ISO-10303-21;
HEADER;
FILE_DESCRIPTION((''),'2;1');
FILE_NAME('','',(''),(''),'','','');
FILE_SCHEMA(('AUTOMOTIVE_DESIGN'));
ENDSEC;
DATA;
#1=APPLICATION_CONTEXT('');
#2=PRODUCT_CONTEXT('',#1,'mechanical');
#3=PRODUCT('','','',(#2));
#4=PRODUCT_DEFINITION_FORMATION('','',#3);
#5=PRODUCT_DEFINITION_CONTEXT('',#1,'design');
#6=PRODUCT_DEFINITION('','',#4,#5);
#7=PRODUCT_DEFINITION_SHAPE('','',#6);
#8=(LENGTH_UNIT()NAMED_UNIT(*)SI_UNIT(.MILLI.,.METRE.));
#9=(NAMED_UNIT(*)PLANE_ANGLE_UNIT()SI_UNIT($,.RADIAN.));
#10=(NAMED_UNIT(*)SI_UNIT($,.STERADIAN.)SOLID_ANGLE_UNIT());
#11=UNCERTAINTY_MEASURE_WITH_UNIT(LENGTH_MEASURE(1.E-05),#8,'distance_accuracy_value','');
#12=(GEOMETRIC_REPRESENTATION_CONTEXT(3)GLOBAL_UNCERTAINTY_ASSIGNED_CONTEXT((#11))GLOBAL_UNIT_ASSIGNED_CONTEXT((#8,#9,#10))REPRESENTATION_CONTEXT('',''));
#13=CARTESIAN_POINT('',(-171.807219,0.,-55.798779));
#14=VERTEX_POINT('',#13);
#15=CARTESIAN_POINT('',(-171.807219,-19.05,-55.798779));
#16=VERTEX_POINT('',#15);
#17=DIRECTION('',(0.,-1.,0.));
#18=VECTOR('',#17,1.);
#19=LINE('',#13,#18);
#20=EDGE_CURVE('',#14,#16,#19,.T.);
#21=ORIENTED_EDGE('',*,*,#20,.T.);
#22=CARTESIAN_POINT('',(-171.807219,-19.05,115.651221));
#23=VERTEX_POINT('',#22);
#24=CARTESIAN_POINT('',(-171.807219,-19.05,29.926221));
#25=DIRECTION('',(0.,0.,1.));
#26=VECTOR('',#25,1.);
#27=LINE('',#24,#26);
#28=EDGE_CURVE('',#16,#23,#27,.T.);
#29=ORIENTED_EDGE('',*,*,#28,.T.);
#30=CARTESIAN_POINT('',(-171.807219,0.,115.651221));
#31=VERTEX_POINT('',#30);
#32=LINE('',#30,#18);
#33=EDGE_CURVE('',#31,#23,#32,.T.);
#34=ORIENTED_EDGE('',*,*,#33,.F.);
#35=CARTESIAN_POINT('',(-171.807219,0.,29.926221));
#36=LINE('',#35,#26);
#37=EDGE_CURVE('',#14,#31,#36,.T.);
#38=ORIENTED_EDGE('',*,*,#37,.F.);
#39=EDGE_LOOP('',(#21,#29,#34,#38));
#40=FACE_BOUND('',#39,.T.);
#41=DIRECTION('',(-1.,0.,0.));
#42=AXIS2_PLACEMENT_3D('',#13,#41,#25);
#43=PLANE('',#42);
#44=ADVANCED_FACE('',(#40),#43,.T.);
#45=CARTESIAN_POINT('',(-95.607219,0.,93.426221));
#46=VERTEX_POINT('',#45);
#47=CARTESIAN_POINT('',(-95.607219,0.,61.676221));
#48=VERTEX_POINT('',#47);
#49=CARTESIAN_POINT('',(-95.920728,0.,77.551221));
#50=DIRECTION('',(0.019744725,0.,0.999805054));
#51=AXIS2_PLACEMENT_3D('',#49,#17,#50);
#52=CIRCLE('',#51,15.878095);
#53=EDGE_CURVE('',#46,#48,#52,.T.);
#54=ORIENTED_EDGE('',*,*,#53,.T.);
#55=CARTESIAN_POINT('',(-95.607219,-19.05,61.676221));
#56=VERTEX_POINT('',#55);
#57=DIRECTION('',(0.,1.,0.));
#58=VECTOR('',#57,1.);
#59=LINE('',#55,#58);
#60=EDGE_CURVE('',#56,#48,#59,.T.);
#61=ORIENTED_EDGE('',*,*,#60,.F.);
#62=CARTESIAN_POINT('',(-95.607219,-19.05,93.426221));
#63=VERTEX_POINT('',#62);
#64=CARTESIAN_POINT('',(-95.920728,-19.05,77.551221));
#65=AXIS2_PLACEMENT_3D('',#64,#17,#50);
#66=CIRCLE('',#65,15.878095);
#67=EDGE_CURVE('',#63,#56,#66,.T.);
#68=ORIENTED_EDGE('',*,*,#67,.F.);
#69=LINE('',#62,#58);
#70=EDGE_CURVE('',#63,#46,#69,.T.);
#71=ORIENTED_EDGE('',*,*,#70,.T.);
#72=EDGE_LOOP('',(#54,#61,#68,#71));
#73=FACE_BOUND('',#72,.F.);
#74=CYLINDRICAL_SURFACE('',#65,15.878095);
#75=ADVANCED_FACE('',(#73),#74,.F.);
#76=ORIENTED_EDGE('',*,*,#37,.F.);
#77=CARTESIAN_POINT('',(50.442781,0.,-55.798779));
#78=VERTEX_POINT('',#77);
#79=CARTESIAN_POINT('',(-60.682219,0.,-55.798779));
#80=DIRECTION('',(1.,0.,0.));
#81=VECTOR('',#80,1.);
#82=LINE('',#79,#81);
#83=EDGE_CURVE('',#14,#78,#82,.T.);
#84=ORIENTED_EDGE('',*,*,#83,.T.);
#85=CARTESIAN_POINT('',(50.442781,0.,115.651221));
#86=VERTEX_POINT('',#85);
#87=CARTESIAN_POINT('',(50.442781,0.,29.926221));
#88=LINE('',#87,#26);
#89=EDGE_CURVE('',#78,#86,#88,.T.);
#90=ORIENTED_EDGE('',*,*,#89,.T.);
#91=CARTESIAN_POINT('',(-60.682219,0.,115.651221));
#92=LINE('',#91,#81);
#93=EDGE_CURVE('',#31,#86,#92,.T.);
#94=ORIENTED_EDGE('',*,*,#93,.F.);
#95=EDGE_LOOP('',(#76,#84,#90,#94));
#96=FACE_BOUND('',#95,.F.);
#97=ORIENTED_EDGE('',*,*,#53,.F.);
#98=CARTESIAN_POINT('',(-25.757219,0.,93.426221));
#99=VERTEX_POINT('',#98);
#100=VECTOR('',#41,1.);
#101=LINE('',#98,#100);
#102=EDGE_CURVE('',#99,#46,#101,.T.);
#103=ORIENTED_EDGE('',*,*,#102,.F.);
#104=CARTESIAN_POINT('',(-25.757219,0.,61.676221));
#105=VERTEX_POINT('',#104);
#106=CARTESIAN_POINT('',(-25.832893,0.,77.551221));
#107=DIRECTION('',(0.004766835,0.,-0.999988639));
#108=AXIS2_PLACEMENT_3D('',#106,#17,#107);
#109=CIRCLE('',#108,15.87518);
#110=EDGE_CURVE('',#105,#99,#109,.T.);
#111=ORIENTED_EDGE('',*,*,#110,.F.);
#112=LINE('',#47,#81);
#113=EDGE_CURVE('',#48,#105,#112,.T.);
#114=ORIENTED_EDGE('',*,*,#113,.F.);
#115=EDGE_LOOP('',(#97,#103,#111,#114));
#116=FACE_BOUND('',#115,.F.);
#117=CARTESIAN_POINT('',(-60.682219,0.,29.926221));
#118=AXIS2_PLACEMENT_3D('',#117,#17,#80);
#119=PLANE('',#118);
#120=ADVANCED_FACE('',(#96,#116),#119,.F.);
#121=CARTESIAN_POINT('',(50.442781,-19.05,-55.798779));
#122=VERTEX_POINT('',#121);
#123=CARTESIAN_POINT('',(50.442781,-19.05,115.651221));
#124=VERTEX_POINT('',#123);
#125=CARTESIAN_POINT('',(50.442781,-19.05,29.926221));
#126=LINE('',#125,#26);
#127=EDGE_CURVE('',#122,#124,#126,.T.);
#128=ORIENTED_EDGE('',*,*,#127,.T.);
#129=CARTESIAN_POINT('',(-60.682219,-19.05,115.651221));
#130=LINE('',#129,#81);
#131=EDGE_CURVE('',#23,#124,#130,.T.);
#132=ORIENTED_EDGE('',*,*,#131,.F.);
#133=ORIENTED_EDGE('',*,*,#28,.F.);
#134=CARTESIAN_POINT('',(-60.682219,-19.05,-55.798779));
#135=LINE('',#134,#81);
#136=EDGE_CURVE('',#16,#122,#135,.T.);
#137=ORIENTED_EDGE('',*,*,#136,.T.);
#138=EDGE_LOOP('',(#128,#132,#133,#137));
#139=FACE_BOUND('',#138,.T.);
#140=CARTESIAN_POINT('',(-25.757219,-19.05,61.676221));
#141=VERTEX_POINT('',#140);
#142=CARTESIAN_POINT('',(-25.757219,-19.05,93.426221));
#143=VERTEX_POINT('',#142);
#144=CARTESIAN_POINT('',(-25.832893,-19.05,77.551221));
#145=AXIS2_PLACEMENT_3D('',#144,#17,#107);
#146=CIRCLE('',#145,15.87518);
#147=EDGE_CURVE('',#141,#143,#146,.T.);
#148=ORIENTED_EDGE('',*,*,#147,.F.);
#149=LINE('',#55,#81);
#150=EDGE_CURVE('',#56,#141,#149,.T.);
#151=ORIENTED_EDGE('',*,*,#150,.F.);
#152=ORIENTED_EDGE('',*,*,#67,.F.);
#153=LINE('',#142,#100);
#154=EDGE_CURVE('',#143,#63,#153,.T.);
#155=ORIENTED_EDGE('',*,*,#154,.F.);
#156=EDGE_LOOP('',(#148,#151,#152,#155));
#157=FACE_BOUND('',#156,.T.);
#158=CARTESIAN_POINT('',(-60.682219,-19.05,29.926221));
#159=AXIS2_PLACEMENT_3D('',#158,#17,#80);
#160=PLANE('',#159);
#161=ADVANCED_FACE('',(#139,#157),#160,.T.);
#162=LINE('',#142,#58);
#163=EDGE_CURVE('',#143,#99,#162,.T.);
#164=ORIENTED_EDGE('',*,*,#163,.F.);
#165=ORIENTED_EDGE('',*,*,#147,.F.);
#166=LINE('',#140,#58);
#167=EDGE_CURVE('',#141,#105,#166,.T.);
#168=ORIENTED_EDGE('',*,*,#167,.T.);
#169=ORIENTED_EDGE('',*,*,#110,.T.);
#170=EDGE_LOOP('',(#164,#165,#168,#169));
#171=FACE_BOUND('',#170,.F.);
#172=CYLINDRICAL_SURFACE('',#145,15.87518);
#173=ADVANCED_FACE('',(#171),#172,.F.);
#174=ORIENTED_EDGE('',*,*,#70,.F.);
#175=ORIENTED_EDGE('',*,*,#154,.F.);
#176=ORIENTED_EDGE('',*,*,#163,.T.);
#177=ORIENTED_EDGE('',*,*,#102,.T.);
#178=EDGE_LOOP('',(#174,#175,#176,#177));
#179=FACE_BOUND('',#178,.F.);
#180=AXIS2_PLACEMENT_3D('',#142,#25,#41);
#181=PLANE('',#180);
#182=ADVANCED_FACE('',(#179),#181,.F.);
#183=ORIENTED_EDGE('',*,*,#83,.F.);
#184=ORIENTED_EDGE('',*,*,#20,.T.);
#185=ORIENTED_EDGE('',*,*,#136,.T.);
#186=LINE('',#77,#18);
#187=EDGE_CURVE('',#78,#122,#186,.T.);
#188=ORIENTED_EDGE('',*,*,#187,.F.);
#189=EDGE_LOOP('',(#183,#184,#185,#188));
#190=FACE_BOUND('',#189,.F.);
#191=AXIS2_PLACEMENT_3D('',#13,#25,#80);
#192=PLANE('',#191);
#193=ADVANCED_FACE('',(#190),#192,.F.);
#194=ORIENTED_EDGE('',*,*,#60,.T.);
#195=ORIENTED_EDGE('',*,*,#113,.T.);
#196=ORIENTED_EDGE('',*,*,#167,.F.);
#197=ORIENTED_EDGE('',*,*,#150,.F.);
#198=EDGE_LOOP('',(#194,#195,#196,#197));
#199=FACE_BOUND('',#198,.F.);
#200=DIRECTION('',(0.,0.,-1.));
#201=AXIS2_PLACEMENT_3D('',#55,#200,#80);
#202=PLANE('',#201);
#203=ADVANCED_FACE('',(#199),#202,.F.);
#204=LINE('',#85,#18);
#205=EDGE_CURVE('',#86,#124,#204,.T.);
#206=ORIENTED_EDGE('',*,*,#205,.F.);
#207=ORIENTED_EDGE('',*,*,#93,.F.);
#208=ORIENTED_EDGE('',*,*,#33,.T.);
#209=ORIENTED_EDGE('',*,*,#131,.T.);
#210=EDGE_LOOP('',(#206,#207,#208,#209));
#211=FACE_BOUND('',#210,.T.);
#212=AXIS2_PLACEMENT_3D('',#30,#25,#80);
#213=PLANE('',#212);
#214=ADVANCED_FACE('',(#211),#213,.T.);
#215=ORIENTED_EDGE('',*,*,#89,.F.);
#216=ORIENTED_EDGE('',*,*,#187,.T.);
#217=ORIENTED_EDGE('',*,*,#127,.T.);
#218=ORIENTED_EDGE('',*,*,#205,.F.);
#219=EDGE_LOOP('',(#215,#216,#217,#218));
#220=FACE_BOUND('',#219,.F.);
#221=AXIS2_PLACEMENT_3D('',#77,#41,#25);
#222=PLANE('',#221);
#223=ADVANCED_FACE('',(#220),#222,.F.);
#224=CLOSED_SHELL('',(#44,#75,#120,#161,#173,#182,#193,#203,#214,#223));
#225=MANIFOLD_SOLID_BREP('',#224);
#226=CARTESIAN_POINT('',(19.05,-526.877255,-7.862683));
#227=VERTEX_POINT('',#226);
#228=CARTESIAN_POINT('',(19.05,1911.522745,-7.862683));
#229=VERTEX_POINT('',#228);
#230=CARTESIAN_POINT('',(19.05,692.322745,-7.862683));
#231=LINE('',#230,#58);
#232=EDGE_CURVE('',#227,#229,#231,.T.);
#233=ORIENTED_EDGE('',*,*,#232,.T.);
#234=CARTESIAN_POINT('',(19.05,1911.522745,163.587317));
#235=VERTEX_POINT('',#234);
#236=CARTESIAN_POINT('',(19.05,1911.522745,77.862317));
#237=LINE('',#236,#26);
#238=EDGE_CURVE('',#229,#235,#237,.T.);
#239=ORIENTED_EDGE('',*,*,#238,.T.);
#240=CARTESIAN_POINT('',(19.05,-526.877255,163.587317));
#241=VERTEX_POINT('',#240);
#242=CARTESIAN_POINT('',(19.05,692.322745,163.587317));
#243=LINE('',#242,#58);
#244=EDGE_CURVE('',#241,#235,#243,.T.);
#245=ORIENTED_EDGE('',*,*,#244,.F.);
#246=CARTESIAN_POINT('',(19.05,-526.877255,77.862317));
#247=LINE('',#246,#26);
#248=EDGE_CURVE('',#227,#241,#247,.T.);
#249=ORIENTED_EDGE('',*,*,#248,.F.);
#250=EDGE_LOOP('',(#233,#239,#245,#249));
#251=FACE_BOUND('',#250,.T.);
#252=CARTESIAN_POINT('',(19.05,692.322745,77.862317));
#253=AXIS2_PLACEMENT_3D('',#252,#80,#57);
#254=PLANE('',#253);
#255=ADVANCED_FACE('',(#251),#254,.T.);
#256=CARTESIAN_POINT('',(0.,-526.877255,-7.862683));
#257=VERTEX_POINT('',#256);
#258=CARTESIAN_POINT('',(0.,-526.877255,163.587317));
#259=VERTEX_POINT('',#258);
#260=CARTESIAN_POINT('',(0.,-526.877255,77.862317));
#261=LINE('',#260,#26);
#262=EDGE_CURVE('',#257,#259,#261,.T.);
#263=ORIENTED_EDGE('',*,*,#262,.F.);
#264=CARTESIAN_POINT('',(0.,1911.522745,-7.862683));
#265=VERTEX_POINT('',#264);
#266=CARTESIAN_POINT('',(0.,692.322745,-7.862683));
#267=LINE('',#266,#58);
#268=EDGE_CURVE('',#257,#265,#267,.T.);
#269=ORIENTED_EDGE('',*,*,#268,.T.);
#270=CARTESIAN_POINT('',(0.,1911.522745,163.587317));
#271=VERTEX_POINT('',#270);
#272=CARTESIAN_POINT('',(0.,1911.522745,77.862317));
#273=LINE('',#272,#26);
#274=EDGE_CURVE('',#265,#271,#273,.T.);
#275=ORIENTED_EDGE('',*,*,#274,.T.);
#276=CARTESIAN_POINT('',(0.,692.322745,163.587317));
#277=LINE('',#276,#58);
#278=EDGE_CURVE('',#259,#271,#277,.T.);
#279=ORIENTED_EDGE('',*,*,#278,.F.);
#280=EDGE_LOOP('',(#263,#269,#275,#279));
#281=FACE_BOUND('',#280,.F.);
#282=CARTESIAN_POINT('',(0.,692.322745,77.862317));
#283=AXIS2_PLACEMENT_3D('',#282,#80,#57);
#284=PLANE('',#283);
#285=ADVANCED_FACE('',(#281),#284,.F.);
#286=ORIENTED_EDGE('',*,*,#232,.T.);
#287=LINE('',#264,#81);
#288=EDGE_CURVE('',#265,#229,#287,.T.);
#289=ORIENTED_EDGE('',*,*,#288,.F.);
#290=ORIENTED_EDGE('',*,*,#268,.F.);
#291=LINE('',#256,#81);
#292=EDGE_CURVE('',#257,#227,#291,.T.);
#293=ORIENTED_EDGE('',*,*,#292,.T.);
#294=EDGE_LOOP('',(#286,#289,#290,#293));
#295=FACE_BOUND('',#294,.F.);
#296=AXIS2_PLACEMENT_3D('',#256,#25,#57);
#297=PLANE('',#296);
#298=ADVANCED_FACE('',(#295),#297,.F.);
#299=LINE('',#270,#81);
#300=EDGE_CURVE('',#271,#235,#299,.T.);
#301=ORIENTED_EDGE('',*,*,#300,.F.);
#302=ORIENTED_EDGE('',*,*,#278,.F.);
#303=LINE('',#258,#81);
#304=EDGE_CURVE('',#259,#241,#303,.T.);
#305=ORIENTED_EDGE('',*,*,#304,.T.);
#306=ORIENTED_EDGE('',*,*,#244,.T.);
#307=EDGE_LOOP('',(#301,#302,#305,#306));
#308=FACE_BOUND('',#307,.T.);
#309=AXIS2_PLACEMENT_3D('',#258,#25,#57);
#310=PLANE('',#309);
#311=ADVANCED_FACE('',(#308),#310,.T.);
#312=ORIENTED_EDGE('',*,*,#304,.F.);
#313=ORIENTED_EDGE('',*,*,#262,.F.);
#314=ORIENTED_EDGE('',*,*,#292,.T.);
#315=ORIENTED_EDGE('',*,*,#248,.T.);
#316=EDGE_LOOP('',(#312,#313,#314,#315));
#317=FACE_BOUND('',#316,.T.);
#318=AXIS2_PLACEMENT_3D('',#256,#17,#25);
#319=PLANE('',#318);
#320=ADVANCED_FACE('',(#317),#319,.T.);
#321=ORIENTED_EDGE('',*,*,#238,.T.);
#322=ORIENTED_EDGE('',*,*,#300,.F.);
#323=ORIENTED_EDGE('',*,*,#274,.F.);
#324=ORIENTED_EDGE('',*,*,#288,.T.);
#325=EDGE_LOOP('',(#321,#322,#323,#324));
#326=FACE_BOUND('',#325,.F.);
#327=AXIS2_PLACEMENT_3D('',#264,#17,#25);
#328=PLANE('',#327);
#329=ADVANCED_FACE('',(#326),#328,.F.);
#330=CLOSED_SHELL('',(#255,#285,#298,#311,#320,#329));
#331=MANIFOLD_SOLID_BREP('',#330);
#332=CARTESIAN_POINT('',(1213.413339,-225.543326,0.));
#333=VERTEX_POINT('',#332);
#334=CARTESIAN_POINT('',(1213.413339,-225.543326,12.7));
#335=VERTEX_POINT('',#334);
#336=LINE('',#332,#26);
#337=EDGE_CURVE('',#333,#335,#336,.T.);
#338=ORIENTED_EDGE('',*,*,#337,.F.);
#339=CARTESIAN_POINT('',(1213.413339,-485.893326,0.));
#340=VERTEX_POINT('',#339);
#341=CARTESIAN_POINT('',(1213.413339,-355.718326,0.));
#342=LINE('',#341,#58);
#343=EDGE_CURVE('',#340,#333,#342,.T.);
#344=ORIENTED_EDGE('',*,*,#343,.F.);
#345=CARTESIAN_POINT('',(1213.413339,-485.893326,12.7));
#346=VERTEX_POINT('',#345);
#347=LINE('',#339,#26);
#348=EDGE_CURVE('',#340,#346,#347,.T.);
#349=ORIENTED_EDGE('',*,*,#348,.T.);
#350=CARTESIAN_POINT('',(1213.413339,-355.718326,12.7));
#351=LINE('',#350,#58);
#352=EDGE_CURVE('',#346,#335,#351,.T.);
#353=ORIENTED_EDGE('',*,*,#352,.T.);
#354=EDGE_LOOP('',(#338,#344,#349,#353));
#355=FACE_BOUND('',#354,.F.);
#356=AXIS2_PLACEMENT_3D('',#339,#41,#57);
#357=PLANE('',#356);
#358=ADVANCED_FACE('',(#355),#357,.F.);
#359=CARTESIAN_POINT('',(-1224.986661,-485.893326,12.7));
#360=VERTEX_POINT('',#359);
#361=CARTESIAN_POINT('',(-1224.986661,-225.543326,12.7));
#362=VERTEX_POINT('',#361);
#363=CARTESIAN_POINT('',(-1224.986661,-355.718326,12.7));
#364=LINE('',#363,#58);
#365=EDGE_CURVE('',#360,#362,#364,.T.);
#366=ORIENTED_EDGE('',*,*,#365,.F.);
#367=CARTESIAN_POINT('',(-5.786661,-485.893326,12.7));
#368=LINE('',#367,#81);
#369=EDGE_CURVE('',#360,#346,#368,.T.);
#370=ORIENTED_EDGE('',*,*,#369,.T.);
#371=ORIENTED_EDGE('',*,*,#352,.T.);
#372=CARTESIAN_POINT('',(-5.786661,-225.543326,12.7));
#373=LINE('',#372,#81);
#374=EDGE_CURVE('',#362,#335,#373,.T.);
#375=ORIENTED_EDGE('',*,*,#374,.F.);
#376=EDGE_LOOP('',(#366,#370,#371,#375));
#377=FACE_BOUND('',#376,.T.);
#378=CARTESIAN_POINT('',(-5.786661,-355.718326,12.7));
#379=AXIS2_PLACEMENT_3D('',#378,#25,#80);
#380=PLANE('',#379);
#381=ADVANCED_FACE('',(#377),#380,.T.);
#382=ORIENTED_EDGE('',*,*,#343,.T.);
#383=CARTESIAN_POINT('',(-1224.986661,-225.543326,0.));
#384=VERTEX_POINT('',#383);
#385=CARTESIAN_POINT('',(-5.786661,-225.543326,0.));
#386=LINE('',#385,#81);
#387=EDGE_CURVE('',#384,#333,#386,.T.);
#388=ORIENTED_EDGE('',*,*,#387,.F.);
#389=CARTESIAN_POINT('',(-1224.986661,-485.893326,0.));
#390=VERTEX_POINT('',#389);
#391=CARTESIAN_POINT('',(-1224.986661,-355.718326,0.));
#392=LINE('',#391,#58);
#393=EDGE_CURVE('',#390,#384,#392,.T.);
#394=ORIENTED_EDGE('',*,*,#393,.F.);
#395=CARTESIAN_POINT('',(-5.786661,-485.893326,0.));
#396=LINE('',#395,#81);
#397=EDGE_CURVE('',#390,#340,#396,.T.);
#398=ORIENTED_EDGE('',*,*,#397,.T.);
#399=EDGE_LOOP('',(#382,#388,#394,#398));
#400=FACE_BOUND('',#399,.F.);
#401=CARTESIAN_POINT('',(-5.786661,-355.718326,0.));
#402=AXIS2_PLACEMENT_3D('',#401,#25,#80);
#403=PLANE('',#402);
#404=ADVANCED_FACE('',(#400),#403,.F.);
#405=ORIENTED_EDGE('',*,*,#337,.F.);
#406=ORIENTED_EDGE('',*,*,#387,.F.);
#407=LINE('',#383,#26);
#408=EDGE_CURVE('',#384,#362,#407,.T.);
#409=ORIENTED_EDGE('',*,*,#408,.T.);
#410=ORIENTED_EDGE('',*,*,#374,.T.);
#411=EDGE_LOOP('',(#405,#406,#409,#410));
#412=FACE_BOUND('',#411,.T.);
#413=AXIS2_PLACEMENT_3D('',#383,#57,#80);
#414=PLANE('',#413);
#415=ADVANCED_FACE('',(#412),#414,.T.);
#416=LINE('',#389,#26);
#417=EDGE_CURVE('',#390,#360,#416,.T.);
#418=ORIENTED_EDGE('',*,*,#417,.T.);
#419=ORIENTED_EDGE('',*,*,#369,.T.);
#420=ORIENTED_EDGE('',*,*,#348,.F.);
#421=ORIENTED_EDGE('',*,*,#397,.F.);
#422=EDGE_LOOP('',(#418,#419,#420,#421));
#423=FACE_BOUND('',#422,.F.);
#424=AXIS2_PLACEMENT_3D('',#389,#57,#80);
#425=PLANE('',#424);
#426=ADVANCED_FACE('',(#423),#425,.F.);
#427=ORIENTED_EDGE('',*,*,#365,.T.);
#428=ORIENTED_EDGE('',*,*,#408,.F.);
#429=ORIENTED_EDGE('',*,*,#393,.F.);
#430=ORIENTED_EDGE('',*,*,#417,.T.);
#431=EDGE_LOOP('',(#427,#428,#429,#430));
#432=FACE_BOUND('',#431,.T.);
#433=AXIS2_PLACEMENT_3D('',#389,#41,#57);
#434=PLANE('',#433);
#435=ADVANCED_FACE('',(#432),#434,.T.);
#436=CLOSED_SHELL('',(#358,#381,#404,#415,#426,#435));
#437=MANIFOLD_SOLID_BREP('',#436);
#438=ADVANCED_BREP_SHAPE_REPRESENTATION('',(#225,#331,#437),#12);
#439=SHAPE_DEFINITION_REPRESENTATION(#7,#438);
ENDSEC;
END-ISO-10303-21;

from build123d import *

# Parameters (mm, degrees)
F0_W     = 222.25
F0_H     = 171.45
F1_DEPTH = 19.05
F3_DEPTH = 19.05
F4_W     = 2438.4
F4_H     = 171.45
F5_DEPTH = 19.05
F6_W     = 2438.4
F6_H     = 260.35
F7_DEPTH = 12.7


with BuildPart() as f1:
    # F0 (on Front) → F1 (new body)
    with BuildSketch(Plane.XZ):
        with Locations((-60.682219, 29.926221)):
            Rectangle(F0_W, F0_H)
    extrude(amount=F1_DEPTH)

    # F2 (on face) → F3 (cut)
    with BuildSketch(Plane.XZ.offset(19.05)):
        with BuildLine():
            Line((-25.757219, 93.426221), (-95.607219, 93.426221))
            ThreePointArc((-95.607219, 93.426221), (-111.798823, 77.551221), (-95.607219, 61.676221))
            Line((-95.607219, 61.676221), (-25.757219, 61.676221))
            ThreePointArc((-25.757219, 61.676221), (-9.957713, 77.551221), (-25.757219, 93.426221))
        make_face()
    extrude(amount=-F3_DEPTH, mode=Mode.SUBTRACT)


with BuildPart() as f5:
    # F4 (on Right) → F5 (new body)
    with BuildSketch(Plane.YZ):
        with Locations((692.322745, 77.862317)):
            Rectangle(F4_W, F4_H)
    extrude(amount=F5_DEPTH)


with BuildPart() as f7:
    # F6 (on Top) → F7 (new body)
    with BuildSketch(Plane.XY):
        with Locations((-5.786661, -355.718326)):
            Rectangle(F6_W, F6_H)
    extrude(amount=F7_DEPTH)


solid = Compound([f1.part, f5.part, f7.part])
